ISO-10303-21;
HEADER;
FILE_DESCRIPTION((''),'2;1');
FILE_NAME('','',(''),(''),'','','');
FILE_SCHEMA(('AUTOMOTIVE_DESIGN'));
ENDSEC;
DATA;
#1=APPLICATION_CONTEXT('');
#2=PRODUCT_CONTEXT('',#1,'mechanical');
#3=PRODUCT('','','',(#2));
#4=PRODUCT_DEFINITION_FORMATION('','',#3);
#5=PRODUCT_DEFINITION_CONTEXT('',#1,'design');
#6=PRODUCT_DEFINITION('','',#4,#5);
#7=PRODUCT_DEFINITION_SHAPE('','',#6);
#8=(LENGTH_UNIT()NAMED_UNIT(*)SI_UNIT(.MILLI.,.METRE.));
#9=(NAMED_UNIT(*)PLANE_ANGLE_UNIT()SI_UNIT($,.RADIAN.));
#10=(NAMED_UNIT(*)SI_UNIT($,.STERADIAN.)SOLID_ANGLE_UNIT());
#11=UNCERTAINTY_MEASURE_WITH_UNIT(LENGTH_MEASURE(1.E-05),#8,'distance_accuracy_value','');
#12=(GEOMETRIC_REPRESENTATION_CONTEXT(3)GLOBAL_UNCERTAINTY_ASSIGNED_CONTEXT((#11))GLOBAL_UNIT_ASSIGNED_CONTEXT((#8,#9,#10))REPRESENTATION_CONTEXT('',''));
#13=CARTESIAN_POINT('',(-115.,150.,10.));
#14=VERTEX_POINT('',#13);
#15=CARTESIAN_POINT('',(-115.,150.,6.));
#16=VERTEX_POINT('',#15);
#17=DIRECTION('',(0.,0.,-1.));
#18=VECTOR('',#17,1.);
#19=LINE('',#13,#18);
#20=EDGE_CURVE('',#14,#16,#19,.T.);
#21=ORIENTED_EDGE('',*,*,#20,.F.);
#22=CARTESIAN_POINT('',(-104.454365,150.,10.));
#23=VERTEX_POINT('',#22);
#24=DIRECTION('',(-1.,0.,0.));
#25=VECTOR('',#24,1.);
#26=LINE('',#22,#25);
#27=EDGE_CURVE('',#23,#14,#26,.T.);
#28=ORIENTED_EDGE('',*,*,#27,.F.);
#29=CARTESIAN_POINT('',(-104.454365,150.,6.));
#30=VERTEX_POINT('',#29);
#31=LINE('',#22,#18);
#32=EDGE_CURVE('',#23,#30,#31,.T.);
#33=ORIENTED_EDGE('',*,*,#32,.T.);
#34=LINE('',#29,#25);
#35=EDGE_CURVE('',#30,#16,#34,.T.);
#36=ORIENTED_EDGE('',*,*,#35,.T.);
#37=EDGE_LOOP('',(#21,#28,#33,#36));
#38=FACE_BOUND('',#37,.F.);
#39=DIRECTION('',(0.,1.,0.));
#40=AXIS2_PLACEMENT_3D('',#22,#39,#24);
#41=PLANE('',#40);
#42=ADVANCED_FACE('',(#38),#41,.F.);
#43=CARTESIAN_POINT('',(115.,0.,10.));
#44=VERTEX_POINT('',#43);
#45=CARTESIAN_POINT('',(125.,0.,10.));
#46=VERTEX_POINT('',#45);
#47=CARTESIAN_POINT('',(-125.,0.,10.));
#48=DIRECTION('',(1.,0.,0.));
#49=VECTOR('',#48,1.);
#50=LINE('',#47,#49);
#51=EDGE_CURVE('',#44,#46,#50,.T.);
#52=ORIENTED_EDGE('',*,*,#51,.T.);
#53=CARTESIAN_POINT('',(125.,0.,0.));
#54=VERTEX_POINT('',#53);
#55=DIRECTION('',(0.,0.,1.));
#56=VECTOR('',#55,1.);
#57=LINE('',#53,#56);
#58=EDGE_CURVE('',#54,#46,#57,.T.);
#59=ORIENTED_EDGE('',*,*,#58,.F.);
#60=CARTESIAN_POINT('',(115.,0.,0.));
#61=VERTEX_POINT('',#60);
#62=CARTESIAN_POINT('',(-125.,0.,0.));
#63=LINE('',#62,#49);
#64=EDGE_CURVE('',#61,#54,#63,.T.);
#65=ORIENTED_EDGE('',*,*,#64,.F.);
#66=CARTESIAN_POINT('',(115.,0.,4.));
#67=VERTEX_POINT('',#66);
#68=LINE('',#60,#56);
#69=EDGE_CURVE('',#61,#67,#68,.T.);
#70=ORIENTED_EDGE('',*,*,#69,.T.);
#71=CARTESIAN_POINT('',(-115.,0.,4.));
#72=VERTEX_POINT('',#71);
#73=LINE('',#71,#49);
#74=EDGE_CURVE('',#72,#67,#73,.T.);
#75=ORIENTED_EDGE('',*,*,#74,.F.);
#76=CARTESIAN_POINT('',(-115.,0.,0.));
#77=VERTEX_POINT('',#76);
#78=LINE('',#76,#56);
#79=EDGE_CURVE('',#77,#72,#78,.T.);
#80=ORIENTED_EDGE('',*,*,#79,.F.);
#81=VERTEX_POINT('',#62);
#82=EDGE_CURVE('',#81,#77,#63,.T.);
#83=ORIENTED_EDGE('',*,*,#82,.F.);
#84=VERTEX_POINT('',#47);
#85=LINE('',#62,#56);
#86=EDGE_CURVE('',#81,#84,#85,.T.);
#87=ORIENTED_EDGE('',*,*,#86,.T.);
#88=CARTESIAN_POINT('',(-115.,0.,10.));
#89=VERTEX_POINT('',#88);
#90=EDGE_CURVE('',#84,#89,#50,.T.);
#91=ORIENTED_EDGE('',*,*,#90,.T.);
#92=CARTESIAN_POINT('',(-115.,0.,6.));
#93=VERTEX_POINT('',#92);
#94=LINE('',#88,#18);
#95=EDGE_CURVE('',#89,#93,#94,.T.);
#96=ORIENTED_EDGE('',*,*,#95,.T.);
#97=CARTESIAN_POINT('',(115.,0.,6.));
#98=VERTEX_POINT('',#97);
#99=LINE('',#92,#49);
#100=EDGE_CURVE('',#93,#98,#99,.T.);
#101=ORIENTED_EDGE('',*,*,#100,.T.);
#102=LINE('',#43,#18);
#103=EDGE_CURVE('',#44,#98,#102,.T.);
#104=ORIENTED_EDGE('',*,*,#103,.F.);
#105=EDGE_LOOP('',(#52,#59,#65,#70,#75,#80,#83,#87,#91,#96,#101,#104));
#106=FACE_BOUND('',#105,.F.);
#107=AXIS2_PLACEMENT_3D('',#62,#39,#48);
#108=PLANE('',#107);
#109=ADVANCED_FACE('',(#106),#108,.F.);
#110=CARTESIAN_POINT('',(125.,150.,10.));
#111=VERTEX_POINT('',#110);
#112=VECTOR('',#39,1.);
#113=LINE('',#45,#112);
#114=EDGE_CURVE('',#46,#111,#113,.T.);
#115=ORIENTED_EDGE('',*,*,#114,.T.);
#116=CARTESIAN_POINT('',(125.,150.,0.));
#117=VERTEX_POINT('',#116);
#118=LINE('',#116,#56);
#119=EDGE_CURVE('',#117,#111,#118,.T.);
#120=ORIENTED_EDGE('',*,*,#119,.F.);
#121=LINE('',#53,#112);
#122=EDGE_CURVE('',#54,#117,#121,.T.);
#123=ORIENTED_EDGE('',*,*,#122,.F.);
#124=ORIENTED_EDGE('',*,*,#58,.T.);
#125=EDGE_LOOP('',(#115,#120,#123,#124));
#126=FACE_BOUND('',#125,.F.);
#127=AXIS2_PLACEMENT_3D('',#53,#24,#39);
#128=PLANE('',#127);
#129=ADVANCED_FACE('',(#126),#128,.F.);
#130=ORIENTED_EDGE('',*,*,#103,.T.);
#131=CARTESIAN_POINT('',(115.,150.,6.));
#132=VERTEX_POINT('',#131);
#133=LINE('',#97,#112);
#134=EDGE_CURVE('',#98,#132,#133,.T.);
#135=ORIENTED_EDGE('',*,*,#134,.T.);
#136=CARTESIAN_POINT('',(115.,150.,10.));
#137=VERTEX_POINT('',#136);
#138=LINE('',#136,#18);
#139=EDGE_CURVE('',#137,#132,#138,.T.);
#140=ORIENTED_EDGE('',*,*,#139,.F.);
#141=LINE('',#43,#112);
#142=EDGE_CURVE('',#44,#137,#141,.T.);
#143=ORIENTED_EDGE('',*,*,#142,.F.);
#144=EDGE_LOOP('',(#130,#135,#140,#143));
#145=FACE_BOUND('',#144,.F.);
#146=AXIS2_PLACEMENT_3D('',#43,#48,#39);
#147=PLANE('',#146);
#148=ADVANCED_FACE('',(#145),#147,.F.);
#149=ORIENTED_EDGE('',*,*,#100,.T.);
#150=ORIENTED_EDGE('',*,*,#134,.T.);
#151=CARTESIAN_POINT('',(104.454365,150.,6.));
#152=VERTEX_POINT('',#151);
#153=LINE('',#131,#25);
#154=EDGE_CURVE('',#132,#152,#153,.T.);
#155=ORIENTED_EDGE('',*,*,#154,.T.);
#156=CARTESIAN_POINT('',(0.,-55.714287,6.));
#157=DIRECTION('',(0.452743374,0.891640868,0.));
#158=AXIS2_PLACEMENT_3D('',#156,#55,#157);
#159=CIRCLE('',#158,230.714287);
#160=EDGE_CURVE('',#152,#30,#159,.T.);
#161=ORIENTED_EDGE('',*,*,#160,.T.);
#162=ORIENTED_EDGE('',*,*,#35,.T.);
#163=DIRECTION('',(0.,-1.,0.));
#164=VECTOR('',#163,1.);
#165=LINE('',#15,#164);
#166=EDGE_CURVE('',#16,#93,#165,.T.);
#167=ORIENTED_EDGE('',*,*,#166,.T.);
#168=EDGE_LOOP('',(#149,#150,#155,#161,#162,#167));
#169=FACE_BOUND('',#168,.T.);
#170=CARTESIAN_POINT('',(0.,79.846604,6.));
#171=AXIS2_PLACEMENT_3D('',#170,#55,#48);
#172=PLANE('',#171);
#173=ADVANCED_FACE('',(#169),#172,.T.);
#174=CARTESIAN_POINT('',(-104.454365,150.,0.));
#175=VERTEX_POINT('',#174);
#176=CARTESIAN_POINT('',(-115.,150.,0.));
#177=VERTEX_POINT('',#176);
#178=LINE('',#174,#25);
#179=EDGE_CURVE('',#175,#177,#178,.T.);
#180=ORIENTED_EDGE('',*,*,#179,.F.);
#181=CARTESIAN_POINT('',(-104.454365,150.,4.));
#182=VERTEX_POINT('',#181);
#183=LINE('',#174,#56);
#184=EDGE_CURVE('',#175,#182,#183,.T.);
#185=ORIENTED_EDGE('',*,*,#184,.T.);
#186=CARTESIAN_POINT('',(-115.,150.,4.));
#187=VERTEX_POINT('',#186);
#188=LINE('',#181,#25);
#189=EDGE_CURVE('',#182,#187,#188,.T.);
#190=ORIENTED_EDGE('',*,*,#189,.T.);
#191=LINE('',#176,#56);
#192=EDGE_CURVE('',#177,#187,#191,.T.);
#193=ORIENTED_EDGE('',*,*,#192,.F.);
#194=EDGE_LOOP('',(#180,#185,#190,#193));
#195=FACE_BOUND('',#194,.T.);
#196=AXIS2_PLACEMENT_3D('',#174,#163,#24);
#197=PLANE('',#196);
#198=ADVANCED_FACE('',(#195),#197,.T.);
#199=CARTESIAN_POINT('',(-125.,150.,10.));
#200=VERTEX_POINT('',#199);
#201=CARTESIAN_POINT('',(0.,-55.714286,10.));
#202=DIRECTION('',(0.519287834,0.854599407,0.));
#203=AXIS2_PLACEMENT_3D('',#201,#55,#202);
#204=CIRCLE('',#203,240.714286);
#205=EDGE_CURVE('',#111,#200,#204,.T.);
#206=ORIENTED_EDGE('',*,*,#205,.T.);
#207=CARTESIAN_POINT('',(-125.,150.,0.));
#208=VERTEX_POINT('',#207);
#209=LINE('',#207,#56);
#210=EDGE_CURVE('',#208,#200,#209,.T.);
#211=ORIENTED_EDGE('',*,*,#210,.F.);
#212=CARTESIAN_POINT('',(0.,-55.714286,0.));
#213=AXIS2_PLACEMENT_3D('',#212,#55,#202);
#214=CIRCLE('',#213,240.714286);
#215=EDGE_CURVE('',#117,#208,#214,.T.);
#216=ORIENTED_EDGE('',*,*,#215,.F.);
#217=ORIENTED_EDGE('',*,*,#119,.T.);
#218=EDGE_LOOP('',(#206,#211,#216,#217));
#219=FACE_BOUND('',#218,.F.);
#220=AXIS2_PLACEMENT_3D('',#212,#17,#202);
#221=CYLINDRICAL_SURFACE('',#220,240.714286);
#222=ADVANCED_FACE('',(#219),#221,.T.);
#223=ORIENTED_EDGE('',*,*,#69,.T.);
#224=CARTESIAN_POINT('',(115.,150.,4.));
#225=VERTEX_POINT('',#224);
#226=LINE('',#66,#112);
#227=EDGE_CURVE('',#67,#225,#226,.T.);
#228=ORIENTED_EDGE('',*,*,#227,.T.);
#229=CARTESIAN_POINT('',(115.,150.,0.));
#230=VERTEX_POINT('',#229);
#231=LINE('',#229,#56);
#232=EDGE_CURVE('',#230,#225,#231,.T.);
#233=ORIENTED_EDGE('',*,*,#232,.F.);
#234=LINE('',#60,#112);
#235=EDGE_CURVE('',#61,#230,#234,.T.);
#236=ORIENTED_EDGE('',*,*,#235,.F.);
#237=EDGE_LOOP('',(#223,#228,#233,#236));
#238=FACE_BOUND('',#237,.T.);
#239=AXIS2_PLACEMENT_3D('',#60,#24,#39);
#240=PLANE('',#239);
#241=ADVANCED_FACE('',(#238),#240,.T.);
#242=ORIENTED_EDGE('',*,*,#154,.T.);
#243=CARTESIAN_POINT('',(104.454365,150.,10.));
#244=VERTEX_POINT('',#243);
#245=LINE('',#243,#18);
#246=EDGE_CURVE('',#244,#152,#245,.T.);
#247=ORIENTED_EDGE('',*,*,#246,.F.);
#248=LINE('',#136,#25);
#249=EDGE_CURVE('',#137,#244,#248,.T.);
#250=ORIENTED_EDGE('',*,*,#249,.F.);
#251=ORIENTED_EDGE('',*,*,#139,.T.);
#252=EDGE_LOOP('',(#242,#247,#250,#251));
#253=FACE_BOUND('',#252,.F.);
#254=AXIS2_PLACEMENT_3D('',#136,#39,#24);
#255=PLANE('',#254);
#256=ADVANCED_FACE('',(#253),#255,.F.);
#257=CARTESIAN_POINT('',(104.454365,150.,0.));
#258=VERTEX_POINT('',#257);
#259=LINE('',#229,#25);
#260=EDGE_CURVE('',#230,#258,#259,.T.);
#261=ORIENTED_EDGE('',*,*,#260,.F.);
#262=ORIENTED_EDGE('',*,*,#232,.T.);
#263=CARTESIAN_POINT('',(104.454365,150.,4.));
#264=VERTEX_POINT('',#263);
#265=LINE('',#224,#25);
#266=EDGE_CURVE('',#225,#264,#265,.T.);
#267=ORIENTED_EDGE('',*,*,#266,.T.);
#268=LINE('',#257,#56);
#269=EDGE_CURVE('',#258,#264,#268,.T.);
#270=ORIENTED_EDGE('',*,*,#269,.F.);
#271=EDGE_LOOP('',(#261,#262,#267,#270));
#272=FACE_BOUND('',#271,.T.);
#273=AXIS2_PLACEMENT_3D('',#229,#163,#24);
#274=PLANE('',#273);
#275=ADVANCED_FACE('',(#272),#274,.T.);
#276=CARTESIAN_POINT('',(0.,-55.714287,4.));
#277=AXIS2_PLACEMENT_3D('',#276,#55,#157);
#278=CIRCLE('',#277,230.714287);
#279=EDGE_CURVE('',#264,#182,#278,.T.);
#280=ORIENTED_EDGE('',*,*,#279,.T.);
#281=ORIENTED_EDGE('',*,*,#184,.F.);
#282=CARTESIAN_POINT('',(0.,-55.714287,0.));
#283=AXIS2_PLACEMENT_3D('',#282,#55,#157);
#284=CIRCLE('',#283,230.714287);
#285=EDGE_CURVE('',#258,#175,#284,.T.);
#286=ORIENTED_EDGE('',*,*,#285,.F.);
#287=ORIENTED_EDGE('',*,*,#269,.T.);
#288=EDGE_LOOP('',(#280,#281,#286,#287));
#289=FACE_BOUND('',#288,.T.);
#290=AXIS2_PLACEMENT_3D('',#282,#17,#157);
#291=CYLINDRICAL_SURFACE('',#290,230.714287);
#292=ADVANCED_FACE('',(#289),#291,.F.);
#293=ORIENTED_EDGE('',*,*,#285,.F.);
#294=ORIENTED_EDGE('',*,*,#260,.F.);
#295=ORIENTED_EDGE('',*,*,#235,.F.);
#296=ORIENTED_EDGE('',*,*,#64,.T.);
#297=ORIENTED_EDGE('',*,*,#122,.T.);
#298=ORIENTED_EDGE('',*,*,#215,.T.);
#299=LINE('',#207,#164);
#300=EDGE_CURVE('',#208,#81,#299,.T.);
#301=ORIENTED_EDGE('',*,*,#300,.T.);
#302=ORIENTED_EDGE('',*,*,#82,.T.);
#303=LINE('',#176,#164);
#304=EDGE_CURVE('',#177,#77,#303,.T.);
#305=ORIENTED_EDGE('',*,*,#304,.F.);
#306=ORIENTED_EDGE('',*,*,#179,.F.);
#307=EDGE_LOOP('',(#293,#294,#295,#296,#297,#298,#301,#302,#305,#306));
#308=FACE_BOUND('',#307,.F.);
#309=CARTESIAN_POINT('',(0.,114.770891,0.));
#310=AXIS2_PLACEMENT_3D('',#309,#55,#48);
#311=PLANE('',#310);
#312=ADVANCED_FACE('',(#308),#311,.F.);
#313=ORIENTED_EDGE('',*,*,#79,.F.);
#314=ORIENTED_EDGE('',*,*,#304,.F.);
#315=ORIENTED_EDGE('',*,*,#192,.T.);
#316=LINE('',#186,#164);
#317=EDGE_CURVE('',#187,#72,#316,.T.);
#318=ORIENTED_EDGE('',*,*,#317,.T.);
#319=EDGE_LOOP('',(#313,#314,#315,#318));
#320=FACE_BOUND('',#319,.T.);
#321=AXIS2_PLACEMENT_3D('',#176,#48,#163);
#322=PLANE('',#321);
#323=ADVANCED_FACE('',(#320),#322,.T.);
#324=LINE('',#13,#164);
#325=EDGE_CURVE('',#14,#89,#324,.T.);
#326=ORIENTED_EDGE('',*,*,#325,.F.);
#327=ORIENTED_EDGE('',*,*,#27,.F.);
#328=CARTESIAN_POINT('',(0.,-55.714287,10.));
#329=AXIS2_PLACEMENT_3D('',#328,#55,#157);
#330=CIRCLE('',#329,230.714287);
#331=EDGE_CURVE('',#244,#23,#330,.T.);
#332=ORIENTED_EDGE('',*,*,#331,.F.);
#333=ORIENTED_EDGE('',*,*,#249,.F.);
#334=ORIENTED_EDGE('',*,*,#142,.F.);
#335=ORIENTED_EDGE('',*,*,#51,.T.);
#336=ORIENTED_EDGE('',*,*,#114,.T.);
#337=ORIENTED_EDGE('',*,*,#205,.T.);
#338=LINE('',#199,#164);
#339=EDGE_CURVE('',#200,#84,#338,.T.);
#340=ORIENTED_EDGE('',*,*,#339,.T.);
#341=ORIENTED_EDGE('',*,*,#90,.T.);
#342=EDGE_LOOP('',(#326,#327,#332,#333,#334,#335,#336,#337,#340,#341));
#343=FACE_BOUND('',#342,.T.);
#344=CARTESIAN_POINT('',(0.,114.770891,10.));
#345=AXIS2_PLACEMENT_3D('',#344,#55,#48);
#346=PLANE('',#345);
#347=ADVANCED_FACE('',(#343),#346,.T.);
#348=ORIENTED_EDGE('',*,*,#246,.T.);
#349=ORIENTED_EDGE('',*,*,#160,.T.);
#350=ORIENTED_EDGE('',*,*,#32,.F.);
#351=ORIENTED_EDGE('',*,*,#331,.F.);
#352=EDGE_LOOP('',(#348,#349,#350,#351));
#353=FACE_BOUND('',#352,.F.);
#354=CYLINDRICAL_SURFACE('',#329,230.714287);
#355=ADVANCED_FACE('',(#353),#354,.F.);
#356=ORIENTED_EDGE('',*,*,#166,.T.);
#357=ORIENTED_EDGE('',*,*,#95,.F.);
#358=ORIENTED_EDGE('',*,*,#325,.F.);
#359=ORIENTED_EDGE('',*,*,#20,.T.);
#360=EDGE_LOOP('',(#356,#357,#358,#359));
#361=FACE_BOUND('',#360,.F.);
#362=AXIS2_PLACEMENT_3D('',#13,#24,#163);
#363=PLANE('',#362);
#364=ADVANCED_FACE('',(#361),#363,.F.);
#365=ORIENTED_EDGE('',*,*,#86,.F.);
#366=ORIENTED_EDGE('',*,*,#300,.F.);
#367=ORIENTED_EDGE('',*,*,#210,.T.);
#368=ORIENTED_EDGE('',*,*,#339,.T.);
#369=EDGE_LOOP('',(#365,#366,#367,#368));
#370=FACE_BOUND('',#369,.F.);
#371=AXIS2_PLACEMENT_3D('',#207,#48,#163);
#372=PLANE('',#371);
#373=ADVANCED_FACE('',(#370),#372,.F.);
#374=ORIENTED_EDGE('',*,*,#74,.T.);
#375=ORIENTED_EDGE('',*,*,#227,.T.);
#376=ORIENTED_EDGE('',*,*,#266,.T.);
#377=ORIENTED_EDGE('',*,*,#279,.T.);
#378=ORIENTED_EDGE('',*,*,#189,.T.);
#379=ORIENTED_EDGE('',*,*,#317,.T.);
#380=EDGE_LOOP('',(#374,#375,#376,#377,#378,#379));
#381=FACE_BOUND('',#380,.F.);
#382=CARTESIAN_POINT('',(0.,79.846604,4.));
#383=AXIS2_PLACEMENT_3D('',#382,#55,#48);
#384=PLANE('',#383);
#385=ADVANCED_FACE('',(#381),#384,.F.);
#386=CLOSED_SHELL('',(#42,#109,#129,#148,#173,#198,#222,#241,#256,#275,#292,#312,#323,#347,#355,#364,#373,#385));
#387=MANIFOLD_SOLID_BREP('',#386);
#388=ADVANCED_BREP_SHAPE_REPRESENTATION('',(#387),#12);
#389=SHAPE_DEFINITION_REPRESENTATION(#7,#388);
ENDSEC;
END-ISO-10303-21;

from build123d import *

# Parameters (mm, degrees)
F1_DEPTH = 10
F3_DEPTH = 4
F4_DEPTH = 4


with BuildPart() as f1:
    # F0 (on Top) → F1 (new body)
    with BuildSketch(Plane.XY):
        with BuildLine():
            Line((115, 150), (115, 0))
            Line((115, 0), (125, 0))
            Line((125, 0), (125, 150))
            ThreePointArc((125, 150), (0, 185), (-125, 150))
            Line((-125, 150), (-125, 0))
            Line((-125, 0), (-115, 0))
            Line((-115, 0), (-115, 150))
            Line((-115, 150), (-104.454365, 150))
            ThreePointArc((-104.454365, 150), (0, 175), (104.454365, 150))
            Line((104.454365, 150), (115, 150))
        make_face()
        with BuildLine():
            Line((-115, 0), (115, 0))
            Line((115, 0), (115, 150))
            Line((115, 150), (104.454365, 150))
            ThreePointArc((104.454365, 150), (0, 175), (-104.454365, 150))
            Line((-104.454365, 150), (-115, 150))
            Line((-115, 150), (-115, 0))
        make_face()
    extrude(amount=F1_DEPTH)

    # F2 (on face) → F3 (cut)
    with BuildSketch(Plane.XY.offset(10)):
        with BuildLine():
            Line((-115, 150), (-115, 0))
            Line((-115, 0), (115, 0))
            Line((115, 0), (115, 150))
            Line((115, 150), (104.454365, 150))
            ThreePointArc((104.454365, 150), (0, 175), (-104.454365, 150))
            Line((-104.454365, 150), (-115, 150))
        make_face()
    extrude(amount=-F3_DEPTH, mode=Mode.SUBTRACT)

    # F0 (on Top) → F4 (cut)
    with BuildSketch(Plane.XY):
        with BuildLine():
            Line((-115, 0), (115, 0))
            Line((115, 0), (115, 150))
            Line((115, 150), (104.454365, 150))
            ThreePointArc((104.454365, 150), (0, 175), (-104.454365, 150))
            Line((-104.454365, 150), (-115, 150))
            Line((-115, 150), (-115, 0))
        make_face()
    extrude(amount=F4_DEPTH, mode=Mode.SUBTRACT)


solid = f1.part
